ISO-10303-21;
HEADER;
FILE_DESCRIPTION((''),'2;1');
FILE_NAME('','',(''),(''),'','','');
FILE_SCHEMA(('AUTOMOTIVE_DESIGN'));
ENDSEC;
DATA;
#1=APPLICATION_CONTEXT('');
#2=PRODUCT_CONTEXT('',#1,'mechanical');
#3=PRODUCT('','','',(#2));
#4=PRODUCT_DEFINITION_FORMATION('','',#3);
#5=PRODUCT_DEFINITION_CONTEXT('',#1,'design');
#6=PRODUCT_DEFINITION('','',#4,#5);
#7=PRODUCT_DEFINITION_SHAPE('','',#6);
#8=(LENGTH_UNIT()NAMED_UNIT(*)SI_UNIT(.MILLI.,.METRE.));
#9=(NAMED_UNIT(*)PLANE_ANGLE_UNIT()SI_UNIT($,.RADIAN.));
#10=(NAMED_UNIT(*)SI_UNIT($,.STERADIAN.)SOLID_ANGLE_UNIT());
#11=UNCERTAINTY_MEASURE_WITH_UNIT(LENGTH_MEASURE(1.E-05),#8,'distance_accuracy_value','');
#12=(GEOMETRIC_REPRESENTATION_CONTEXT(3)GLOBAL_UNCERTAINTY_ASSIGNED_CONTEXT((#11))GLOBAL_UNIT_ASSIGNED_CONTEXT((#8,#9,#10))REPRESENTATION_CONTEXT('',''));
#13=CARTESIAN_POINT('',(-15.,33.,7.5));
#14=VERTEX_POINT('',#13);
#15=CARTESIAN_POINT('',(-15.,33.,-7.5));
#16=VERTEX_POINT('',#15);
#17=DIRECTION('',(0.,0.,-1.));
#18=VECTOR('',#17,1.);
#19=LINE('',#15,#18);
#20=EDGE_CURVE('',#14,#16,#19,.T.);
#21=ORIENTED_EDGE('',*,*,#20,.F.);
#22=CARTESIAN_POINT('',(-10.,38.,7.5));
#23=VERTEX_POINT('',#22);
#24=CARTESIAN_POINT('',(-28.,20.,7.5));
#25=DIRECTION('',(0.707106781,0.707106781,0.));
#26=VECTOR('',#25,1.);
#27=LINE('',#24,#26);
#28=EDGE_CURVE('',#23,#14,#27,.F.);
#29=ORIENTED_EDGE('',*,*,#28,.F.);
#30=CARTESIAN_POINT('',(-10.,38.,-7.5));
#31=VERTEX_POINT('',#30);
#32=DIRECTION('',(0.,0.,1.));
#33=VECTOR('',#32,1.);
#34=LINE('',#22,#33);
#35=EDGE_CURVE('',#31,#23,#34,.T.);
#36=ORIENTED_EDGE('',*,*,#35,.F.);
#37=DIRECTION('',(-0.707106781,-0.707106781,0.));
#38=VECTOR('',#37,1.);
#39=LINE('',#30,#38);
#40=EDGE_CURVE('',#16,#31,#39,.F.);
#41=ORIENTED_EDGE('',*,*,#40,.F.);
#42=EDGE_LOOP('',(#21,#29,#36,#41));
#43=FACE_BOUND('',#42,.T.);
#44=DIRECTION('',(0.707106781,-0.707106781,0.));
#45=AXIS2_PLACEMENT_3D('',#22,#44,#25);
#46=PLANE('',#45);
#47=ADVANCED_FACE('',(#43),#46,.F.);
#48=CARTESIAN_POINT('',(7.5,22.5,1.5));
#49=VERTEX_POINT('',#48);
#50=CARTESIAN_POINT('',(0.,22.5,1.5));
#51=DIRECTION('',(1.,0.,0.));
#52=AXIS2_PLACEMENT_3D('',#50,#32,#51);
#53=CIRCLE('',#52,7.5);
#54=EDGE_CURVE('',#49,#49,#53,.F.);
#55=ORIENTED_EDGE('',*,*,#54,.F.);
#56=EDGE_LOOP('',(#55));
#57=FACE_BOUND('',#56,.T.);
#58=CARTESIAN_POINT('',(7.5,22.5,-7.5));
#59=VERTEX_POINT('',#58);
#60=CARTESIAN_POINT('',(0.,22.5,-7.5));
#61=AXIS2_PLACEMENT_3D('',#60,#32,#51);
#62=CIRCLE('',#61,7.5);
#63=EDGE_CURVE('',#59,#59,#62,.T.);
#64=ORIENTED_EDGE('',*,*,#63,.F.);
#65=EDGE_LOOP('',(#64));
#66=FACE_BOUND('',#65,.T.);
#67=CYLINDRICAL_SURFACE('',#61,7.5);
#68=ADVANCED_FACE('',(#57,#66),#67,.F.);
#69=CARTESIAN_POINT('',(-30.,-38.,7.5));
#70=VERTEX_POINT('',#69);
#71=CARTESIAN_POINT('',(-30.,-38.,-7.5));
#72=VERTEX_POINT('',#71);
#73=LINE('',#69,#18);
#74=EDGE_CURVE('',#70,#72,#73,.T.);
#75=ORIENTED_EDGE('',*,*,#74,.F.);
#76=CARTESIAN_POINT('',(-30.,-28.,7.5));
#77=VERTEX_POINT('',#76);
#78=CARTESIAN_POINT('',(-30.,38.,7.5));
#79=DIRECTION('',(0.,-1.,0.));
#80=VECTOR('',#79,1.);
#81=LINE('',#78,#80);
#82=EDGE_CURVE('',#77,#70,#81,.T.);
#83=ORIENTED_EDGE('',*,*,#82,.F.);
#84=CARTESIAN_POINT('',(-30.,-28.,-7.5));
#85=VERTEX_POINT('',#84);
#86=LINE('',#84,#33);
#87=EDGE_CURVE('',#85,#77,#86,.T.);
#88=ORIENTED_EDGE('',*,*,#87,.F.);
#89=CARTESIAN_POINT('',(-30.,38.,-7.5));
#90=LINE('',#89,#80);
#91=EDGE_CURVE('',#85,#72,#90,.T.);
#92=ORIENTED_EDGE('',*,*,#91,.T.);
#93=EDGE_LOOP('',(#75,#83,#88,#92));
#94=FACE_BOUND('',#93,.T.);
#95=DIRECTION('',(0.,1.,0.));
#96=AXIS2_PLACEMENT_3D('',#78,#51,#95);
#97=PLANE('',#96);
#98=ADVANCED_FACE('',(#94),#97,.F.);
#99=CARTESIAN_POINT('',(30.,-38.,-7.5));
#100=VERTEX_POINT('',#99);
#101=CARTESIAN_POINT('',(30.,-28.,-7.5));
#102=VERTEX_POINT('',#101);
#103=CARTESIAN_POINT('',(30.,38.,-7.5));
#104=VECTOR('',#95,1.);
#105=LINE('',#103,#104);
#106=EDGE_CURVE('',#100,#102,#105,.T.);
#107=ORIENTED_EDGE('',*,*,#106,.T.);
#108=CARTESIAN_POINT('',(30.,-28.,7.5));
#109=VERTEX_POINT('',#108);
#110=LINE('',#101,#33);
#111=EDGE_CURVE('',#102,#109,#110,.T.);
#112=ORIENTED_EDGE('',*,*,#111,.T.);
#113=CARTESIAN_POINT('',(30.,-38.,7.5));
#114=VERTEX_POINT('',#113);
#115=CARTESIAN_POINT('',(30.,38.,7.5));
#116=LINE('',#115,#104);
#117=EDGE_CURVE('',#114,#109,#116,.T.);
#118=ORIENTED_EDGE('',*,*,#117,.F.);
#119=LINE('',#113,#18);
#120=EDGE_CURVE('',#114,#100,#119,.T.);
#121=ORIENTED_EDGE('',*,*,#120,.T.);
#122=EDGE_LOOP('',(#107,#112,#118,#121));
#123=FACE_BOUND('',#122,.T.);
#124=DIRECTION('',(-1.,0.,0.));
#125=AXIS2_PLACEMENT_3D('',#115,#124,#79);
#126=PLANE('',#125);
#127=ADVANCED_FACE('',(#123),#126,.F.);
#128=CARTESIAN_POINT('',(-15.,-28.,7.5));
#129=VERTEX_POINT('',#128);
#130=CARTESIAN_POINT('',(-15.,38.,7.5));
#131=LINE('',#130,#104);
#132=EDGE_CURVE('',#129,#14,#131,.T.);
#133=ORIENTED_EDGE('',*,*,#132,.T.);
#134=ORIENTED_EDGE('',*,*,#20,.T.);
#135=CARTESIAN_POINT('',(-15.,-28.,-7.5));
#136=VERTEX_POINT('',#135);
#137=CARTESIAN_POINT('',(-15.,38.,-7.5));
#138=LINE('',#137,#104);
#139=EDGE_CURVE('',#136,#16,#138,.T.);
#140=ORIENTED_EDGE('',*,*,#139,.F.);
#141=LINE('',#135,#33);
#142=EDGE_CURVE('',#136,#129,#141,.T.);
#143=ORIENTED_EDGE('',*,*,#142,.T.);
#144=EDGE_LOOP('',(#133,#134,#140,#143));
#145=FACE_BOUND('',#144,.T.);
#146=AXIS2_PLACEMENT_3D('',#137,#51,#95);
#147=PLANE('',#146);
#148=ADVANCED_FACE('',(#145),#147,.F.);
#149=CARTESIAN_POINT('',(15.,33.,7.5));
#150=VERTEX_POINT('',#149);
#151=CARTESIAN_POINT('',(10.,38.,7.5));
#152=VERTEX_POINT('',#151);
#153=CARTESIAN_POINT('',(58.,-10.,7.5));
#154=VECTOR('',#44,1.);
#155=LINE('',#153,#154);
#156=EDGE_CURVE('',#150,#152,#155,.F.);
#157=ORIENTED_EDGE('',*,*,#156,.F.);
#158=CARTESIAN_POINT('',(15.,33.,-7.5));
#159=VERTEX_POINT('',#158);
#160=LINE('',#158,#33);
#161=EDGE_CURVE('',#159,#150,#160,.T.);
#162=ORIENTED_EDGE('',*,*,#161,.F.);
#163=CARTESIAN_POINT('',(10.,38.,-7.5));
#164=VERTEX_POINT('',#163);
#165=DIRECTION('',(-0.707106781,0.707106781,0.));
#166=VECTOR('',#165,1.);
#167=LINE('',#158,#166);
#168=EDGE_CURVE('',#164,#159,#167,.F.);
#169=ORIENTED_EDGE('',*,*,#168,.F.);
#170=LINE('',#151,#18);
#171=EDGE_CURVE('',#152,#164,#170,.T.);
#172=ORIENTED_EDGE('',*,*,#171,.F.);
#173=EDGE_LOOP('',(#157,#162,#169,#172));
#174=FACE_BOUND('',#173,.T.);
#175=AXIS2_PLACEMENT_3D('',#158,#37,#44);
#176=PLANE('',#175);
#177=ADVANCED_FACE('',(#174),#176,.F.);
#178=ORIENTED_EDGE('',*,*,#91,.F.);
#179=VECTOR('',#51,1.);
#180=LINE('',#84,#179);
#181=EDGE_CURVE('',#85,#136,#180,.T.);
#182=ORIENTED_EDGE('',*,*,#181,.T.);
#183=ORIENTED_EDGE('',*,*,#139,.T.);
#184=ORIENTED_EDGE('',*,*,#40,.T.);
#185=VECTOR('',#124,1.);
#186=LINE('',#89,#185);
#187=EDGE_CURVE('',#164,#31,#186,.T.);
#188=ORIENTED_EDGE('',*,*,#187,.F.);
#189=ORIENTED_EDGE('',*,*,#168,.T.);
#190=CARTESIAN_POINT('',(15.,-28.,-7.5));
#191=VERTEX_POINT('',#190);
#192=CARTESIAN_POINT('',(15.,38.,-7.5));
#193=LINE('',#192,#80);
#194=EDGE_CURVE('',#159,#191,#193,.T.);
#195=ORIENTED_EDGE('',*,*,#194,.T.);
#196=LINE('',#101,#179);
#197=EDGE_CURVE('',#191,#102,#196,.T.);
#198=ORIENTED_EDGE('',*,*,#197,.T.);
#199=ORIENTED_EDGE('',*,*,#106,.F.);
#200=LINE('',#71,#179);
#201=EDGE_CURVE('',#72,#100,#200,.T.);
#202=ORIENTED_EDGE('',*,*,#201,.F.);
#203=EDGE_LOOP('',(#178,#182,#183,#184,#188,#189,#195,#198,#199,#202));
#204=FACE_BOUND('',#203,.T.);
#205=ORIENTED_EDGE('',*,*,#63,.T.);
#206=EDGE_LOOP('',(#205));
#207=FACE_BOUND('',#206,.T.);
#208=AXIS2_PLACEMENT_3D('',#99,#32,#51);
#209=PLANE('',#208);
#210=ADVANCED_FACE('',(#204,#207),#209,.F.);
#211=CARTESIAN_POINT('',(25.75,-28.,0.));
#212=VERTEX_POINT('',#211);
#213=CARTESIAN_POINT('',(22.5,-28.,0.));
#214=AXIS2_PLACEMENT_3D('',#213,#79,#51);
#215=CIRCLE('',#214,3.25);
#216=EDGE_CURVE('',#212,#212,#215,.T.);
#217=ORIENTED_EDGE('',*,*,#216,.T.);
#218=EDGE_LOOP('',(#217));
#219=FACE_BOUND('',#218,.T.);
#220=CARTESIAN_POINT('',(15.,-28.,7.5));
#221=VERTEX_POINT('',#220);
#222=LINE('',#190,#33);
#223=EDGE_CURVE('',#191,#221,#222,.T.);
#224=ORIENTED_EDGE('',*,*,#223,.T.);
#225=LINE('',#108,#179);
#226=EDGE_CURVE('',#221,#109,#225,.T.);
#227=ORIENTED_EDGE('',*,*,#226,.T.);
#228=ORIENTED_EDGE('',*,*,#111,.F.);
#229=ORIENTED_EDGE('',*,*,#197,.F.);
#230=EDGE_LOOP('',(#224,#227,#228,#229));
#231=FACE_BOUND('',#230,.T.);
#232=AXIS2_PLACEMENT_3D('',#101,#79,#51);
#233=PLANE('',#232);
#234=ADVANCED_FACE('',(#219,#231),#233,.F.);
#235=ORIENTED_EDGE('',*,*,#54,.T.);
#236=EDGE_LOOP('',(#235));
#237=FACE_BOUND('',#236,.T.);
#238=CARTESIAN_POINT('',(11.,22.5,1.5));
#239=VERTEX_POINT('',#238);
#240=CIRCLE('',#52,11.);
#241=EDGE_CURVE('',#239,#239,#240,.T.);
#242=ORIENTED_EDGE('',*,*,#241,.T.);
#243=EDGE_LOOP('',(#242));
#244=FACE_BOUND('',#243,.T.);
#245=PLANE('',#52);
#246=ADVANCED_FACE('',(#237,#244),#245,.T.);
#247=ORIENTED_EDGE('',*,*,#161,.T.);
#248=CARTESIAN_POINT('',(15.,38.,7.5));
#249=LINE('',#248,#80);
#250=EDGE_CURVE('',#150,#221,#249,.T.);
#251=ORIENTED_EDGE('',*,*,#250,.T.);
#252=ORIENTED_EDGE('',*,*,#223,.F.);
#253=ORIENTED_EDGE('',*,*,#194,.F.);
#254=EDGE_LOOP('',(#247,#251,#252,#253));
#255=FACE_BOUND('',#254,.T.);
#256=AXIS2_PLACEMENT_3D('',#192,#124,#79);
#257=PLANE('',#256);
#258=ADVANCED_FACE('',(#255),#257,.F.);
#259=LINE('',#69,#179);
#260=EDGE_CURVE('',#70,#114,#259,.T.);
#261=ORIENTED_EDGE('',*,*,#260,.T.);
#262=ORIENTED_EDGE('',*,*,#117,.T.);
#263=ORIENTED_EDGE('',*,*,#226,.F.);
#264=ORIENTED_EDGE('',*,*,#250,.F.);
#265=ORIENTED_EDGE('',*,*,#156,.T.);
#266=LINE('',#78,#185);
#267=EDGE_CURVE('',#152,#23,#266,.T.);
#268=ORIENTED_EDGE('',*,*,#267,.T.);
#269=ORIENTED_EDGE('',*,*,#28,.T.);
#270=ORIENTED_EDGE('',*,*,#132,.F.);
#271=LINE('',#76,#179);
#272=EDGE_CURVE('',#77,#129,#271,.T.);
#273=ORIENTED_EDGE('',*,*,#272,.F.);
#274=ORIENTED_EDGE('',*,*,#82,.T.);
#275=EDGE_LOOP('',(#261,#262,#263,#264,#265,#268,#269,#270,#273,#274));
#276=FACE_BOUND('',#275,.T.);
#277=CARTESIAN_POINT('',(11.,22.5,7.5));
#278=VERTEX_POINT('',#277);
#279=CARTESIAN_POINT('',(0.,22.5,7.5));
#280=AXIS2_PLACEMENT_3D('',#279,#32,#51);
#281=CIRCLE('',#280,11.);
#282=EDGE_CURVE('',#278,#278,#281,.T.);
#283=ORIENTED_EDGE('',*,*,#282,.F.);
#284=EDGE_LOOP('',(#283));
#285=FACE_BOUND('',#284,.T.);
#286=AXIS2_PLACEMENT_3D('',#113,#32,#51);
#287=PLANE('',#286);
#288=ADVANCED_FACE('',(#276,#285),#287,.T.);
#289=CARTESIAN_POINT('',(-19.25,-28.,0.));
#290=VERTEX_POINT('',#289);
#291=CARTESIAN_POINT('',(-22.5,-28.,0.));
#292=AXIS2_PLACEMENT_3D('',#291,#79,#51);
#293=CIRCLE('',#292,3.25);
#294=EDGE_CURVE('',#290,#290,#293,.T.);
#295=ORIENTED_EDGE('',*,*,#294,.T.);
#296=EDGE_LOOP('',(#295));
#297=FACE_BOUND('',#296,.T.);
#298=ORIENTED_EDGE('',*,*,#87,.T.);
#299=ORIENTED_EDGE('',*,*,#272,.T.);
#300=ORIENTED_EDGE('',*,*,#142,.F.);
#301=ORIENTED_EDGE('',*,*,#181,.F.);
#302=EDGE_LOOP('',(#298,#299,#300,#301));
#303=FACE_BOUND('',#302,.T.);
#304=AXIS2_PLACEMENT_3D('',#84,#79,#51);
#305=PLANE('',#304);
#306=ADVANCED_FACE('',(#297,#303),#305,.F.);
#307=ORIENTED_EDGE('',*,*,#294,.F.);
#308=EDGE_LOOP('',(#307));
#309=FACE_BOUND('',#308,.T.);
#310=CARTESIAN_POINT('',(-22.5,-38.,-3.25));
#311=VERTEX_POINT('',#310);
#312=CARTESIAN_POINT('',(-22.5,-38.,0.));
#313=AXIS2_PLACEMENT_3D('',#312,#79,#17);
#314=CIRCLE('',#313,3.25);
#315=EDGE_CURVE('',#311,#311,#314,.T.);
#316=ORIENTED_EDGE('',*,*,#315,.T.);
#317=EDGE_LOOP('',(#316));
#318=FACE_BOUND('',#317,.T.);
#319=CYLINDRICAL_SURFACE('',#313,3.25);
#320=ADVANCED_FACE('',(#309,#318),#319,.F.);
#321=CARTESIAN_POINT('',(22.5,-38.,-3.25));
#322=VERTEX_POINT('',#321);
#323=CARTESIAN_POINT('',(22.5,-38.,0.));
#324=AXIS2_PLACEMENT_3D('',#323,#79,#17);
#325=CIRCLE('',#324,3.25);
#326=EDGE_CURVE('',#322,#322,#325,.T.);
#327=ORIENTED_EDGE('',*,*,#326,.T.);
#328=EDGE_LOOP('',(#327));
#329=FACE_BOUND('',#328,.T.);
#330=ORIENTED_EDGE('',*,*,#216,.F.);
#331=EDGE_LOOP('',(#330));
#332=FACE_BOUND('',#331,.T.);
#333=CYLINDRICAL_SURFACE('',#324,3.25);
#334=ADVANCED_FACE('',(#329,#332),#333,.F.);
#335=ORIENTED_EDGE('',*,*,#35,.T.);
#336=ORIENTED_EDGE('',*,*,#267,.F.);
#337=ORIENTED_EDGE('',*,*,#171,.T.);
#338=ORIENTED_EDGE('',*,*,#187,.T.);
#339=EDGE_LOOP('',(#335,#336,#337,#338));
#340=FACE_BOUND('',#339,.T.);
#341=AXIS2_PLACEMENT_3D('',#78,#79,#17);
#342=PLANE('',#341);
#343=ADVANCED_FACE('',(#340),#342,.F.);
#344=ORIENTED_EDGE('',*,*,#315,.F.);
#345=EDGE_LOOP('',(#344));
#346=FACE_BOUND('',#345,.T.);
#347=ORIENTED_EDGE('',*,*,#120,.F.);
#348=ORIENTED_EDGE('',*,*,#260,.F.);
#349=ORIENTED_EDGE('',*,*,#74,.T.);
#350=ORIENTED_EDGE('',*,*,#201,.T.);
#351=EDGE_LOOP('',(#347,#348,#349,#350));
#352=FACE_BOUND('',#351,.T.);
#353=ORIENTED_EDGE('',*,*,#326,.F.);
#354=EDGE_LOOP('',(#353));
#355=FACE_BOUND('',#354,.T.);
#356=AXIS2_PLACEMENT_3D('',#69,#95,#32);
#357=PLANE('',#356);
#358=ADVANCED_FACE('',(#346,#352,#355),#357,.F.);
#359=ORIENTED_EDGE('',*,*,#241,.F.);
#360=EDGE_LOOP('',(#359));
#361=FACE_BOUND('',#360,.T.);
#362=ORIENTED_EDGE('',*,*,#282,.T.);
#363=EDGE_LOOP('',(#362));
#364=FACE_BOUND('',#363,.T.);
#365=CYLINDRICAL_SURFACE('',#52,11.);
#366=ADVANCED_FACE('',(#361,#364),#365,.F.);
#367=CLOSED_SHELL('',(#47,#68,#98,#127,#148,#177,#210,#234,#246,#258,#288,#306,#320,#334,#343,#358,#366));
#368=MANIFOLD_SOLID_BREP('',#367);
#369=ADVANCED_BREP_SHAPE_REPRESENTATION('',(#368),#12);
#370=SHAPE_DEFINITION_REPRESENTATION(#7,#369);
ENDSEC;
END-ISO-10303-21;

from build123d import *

# Parameters (mm, degrees)
SKETCH_1_W                  = 60
SKETCH_1_H                  = 76
EXTRUDE_1_DEPTH             = 7.5
SKETCH_2_W                  = 15
SKETCH_2_H                  = 66
CUT_EXTRUDE_2_DEPTH         = 51.68530359
CHAMFER_1_SIZE              = 5
HOLE_WIZARD_6_5_6_5_1_D     = 6.5
HOLE_WIZARD_6_5_6_5_1_DEPTH = 15
HOLE_WIZARD_6_5_6_5_1_TIP   = 1.952797012
SKETCH_6_R                  = 7.5
CUT_EXTRUDE_4_DEPTH         = 51.68530359
SKETCH_7_R                  = 11
CUT_EXTRUDE_5_DEPTH         = 6


with BuildPart() as part:
    # 草图1 → 拉伸1 (new, symmetric)
    with BuildSketch(Plane.XY):
        Rectangle(SKETCH_1_W, SKETCH_1_H)
    extrude(amount=EXTRUDE_1_DEPTH, both=True)

    # 草图2 → 拉伸2 (cut, through all)
    with BuildSketch(Plane.XY.offset(7.5)):
        with Locations((-22.5, 5)):
            Rectangle(SKETCH_2_W, SKETCH_2_H)
        with Locations((22.5, 5)):
            Rectangle(SKETCH_2_W, SKETCH_2_H)
    extrude(amount=-CUT_EXTRUDE_2_DEPTH, mode=Mode.SUBTRACT)

    # 倒角1
    chamfer_1_edges = [part.edges().sort_by_distance(p)[0] for p in [
        (-15, 38, 0),
        (15, 38, 0),
    ]]
    chamfer(chamfer_1_edges, length=CHAMFER_1_SIZE)

    # Ø6.5 (6.5) 直径孔1
    with Locations(Plane.XZ.offset(38)):
        with Locations((-22.5, 0), (22.5, 0)):
            Hole(HOLE_WIZARD_6_5_6_5_1_D / 2, depth=HOLE_WIZARD_6_5_6_5_1_DEPTH)
            with Locations((0, 0, -(HOLE_WIZARD_6_5_6_5_1_DEPTH + HOLE_WIZARD_6_5_6_5_1_TIP / 2))):  # 118° drill point
                Cone(0, HOLE_WIZARD_6_5_6_5_1_D / 2, HOLE_WIZARD_6_5_6_5_1_TIP, mode=Mode.SUBTRACT)

    # 草图6 → 拉伸4 (cut, through all)
    with BuildSketch(Plane.XY.offset(7.5)):
        with Locations((0, 22.5)):
            Circle(SKETCH_6_R)
    extrude(amount=-CUT_EXTRUDE_4_DEPTH, mode=Mode.SUBTRACT)

    # 草图7 → 拉伸5 (cut)
    with BuildSketch(Plane.XY.offset(7.5)):
        with Locations((0, 22.5)):
            Circle(SKETCH_7_R)
    extrude(amount=-CUT_EXTRUDE_5_DEPTH, mode=Mode.SUBTRACT)


solid = part.part
